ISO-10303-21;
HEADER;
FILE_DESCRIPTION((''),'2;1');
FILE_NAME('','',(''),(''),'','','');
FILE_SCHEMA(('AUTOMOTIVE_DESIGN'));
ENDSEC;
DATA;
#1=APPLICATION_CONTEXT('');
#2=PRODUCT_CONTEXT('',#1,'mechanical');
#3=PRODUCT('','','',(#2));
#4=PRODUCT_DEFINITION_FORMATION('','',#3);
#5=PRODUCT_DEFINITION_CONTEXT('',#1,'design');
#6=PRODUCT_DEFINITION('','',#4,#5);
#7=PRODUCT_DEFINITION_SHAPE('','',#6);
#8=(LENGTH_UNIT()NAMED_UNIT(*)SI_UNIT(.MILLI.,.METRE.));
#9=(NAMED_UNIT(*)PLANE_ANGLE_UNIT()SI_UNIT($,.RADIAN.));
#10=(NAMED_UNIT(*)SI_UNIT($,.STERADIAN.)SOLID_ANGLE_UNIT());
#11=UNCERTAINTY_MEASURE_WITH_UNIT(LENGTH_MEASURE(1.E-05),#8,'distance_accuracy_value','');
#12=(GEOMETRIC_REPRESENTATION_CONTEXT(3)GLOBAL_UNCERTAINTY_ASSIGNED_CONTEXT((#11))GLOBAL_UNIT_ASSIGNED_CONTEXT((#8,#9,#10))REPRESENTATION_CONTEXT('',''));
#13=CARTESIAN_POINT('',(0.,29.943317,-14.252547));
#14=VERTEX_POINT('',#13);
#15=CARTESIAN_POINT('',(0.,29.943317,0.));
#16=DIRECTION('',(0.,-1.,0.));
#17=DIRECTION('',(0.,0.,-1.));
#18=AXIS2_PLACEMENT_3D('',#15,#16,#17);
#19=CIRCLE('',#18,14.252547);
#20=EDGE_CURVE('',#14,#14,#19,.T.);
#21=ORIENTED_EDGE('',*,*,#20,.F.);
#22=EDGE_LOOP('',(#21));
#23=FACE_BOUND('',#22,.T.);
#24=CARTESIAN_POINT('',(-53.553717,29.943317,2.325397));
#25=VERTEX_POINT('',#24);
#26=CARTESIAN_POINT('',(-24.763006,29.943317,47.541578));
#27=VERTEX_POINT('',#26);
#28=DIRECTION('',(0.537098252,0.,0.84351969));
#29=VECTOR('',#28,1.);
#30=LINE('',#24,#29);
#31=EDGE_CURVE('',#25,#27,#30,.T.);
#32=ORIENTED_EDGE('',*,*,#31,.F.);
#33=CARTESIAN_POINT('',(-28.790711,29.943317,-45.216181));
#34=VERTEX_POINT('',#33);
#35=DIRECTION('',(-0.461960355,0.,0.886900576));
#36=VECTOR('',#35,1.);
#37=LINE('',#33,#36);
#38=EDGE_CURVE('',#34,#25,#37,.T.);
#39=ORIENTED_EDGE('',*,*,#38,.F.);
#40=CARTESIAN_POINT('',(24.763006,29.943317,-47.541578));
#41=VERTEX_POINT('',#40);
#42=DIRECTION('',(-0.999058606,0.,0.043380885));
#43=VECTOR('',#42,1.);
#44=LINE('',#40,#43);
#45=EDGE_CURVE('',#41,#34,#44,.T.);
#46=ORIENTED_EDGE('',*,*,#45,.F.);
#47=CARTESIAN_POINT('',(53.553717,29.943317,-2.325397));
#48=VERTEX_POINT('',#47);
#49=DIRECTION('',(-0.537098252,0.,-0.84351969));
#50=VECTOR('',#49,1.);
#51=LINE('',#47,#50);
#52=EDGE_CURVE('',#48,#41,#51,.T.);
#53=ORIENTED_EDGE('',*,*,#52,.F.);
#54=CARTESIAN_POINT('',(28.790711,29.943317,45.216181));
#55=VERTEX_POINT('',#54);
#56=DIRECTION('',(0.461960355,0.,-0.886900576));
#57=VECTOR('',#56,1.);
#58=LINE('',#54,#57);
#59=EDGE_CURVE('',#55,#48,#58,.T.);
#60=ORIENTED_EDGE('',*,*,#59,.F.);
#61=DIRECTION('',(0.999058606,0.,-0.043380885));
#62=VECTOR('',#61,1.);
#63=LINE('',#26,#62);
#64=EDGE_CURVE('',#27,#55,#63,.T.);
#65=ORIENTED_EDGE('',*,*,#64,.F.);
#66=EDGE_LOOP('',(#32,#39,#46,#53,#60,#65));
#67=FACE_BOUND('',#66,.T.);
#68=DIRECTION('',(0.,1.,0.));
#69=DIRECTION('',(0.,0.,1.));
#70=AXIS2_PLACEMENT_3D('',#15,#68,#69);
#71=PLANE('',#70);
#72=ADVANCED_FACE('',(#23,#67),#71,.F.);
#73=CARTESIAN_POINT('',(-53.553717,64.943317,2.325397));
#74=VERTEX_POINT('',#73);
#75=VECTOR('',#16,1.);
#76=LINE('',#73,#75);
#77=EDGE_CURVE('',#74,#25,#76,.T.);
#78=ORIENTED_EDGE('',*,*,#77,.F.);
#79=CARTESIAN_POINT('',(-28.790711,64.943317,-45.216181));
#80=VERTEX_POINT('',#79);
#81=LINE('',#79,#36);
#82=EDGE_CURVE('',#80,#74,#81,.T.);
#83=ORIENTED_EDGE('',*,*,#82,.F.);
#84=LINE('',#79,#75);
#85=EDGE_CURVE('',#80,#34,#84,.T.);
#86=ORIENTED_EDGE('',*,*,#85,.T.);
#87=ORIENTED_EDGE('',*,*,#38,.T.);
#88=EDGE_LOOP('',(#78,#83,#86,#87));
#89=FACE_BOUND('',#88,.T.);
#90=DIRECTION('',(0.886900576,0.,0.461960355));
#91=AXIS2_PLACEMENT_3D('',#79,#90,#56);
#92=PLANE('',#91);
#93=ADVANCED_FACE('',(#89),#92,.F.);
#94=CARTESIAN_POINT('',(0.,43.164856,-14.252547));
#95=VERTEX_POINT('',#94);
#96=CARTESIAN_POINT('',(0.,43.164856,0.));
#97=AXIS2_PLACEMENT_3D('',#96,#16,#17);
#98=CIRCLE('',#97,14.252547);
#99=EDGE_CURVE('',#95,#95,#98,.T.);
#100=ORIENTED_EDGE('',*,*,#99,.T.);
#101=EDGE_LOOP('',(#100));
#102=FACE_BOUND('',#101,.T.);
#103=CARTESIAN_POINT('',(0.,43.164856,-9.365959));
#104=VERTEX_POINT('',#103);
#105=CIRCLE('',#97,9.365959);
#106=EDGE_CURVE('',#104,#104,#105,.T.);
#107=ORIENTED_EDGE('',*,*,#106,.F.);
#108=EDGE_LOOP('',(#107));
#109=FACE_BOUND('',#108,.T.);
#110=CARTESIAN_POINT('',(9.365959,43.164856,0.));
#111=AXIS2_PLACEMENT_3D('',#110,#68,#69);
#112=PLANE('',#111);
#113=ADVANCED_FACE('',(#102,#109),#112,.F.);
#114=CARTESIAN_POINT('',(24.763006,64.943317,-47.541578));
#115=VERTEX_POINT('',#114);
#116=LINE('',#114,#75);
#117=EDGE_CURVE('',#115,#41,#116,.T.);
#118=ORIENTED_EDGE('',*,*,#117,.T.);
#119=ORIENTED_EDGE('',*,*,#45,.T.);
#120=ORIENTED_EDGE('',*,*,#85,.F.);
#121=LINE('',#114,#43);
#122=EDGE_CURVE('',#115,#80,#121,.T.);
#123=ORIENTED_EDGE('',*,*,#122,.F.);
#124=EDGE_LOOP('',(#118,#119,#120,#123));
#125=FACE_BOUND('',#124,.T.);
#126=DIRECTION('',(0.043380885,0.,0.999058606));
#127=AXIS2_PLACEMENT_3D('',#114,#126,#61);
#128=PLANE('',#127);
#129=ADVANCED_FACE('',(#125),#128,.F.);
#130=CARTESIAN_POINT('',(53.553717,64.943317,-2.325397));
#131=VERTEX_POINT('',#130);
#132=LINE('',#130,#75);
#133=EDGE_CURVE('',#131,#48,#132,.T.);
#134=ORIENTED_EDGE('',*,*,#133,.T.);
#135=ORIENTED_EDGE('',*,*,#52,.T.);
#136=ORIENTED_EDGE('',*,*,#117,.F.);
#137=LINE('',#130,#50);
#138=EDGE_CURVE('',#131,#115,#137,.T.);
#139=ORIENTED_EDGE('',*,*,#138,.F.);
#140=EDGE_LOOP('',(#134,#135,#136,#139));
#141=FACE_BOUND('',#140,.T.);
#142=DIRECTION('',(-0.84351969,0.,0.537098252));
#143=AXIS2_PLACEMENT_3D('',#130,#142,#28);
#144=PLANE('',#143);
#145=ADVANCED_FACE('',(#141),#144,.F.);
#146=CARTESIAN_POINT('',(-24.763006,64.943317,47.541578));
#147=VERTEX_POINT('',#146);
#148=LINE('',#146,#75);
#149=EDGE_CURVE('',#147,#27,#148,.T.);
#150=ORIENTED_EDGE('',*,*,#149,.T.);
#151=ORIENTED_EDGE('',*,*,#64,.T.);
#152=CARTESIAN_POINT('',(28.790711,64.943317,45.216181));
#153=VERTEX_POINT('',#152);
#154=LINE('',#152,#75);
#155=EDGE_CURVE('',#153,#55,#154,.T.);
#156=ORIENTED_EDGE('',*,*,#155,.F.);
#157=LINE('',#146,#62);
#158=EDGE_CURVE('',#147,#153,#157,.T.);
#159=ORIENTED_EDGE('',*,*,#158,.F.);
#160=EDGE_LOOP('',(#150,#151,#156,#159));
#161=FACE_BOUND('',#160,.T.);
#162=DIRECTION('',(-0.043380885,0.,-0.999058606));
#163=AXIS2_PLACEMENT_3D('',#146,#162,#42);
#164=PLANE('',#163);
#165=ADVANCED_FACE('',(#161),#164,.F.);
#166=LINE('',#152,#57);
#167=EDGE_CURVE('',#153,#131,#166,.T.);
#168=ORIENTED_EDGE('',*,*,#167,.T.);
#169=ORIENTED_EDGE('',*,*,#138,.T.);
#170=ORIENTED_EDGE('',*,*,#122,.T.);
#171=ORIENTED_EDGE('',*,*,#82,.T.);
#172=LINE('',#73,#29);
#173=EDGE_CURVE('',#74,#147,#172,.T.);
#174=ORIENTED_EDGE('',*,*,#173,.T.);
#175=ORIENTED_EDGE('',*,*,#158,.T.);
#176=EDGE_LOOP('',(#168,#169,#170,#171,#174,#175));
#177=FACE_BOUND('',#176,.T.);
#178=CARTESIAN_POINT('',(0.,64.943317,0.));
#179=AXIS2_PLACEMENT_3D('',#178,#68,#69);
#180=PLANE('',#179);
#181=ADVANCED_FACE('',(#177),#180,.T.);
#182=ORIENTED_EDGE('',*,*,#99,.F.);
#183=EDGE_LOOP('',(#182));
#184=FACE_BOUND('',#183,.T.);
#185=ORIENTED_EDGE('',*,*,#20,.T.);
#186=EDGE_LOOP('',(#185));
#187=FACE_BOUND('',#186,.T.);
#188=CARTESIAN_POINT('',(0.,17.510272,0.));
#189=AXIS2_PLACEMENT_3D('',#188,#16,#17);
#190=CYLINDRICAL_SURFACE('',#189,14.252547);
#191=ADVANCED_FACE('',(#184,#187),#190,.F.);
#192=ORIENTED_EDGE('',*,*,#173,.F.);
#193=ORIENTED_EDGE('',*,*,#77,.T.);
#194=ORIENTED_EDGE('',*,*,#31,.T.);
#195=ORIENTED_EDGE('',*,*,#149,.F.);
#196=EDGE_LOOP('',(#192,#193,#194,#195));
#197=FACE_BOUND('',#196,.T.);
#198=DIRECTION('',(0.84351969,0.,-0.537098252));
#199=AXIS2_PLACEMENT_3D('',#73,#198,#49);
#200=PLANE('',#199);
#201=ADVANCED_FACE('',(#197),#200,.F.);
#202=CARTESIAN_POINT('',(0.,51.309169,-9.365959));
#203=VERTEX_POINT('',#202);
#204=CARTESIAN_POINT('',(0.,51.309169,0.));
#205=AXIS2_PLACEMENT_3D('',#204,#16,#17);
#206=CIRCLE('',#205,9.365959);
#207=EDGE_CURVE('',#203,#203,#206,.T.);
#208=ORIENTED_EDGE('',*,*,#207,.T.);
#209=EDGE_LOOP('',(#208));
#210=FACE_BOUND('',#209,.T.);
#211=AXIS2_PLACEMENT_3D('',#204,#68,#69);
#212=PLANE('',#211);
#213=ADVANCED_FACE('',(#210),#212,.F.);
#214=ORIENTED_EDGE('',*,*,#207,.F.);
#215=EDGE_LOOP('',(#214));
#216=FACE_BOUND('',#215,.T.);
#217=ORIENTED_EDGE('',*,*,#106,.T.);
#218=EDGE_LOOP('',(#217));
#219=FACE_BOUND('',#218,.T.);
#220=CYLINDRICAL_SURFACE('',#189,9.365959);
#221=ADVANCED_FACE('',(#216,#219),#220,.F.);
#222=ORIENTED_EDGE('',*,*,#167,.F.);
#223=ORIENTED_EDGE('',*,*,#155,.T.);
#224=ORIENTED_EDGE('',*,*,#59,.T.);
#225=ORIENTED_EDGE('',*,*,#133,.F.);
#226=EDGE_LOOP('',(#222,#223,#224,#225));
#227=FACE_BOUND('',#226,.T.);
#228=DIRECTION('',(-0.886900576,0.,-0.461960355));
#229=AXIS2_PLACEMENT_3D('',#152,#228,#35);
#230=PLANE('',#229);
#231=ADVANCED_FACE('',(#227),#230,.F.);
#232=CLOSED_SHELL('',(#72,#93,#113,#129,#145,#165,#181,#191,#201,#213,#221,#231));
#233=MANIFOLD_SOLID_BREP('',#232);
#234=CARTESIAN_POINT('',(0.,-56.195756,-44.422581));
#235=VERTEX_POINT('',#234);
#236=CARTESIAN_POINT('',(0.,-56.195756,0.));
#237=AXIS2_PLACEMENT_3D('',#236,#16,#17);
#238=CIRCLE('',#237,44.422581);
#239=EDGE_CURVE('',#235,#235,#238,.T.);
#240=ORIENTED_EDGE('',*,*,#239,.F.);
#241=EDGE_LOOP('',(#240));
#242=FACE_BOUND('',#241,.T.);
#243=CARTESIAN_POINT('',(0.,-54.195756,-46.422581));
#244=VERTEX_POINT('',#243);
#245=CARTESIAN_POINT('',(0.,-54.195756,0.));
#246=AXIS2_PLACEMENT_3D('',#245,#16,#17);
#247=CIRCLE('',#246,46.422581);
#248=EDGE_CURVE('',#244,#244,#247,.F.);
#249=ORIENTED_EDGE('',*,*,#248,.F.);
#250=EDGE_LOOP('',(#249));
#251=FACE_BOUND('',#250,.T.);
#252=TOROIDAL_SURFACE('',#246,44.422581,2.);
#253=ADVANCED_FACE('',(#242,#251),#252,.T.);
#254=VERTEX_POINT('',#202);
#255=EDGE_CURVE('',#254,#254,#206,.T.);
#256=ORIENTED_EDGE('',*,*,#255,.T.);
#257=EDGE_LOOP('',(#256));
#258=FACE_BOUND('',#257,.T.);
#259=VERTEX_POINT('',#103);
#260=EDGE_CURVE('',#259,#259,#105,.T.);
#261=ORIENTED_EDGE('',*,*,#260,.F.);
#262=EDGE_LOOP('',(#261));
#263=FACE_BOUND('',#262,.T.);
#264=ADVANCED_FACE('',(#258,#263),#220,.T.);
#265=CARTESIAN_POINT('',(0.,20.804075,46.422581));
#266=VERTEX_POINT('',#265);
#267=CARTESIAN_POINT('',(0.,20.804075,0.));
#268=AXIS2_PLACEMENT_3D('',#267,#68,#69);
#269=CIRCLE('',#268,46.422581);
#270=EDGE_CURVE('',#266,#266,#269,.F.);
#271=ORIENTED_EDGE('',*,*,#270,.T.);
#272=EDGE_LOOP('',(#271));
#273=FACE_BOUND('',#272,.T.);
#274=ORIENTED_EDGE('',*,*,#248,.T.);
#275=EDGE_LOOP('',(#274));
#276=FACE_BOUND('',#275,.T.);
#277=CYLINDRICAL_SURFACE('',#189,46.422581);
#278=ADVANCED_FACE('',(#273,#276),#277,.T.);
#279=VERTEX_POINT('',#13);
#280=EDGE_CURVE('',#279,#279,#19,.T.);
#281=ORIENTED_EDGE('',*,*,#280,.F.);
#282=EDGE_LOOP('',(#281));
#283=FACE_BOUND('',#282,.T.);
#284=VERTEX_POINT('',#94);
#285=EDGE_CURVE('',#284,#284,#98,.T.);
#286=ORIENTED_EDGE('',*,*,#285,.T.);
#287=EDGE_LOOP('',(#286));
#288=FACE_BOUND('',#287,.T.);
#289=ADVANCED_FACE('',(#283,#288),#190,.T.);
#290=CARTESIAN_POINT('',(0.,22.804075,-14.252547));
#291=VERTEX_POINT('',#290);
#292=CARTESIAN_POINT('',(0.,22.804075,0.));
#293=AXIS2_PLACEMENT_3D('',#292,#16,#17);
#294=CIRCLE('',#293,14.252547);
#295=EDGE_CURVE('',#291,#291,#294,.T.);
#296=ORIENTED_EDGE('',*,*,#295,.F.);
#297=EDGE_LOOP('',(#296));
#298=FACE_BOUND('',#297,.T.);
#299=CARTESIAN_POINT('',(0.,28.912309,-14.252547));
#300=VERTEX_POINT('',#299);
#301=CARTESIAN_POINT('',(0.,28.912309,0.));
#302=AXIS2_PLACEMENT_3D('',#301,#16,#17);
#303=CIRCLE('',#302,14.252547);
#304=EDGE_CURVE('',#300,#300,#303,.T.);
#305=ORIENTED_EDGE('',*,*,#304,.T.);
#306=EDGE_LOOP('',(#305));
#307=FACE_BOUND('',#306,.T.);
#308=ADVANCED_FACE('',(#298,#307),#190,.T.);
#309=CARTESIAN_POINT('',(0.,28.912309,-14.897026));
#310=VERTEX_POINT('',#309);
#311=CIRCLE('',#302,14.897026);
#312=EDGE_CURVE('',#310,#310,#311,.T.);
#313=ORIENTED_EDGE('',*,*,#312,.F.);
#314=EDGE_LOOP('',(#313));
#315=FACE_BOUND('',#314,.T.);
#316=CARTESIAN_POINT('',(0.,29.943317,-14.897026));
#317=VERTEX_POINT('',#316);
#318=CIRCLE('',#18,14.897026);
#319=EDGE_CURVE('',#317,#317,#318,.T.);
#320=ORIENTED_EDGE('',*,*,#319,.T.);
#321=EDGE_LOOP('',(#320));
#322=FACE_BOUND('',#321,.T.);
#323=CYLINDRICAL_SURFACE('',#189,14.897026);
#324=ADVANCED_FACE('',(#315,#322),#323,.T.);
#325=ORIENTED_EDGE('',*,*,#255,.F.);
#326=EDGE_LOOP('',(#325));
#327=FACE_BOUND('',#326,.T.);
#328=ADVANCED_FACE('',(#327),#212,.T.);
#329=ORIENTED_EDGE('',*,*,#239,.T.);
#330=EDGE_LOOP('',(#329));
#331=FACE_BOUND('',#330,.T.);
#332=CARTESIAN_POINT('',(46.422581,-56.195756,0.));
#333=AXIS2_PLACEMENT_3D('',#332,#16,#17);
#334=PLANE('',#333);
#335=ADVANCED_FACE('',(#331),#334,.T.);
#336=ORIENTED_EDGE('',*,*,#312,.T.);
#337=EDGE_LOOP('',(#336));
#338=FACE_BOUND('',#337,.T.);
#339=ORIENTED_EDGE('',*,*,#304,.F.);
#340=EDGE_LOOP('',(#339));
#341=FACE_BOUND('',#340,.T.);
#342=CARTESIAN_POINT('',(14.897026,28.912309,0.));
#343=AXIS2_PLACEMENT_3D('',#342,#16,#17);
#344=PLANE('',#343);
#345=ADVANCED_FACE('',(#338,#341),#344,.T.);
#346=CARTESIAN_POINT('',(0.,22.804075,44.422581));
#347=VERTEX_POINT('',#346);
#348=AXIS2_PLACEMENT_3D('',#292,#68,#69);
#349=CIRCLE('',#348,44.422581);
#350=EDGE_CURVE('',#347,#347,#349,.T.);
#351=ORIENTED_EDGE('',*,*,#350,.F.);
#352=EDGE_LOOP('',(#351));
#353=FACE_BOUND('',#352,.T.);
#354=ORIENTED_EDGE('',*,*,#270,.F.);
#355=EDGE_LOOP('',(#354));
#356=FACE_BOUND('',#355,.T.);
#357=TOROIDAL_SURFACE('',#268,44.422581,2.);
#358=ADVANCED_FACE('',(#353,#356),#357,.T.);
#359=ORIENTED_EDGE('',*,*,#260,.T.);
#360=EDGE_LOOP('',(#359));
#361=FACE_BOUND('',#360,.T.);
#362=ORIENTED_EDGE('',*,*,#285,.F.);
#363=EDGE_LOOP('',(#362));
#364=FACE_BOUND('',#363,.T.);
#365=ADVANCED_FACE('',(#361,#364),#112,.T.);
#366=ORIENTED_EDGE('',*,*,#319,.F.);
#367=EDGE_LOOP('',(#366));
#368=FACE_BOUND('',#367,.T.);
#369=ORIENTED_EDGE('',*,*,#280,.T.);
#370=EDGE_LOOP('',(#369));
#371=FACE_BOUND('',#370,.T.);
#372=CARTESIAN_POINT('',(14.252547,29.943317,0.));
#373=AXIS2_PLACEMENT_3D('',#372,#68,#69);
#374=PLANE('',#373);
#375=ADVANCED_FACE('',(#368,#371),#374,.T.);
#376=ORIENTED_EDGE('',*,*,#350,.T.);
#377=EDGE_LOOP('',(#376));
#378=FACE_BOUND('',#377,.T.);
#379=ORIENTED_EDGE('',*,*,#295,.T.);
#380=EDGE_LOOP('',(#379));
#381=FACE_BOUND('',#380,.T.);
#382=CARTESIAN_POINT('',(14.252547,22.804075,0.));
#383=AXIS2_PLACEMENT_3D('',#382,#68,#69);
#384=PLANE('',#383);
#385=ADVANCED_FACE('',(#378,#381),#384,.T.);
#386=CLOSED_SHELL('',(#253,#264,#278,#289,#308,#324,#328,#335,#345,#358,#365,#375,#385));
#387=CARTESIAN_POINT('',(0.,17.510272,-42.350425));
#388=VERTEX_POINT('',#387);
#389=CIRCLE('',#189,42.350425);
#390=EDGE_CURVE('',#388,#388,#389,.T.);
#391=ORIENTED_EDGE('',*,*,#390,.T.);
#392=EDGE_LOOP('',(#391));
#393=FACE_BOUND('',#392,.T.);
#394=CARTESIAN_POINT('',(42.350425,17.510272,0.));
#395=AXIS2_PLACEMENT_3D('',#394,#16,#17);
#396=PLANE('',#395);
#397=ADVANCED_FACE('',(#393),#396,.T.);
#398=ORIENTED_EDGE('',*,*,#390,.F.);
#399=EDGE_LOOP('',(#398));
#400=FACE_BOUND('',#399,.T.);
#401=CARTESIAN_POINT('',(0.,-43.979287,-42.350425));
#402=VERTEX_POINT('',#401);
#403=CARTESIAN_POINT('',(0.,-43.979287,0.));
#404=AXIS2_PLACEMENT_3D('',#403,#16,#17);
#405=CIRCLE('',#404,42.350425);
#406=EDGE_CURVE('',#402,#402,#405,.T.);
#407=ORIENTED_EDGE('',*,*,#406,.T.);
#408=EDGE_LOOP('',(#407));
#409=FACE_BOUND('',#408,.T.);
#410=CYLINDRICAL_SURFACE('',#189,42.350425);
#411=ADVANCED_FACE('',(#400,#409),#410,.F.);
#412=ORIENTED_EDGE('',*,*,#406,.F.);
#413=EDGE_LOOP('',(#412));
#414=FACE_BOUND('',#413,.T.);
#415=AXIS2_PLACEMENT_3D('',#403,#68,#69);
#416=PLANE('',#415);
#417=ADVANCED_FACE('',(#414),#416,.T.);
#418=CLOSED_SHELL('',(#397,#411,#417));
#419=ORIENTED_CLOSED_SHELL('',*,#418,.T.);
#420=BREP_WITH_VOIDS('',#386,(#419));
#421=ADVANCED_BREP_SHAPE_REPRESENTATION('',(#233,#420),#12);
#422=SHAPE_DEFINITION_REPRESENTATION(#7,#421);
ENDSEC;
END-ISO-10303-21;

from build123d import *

# Parameters (mm, degrees)
FILLET1_R           = 2
BOSS_EXTRUDE1_DEPTH = 35


with BuildPart() as part:
    # Sketch1 → Revolve1 (revolve)
    with BuildSketch(Plane.XY):
        Polygon((0, 51.309168584), (9.365959345, 51.309168584), (9.365959345, 43.16485611), (14.252546829, 43.16485611), (14.252546829, 29.943316963), (14.897026355, 29.943316963), (14.897026355, 28.912309281), (14.252546829, 28.912309281), (14.252546829, 22.804074926), (46.422581099, 22.804074926), (46.422581099, -56.195756068), (0, -56.195756068), (0, -43.979287357), (42.350424863, -43.979287357), (42.350424863, 17.510271818), (0, 17.510271818), align=None)
    revolve(axis=Axis((0, 17.510271818, 0), (0, 1, 0)))

    # Fillet1
    fillet1_edges = [part.edges().sort_by_distance(p)[0] for p in [
        (-46.422581099, -56.195756068, 0),
        (-46.422581099, 22.804074926, 0),
    ]]
    fillet(fillet1_edges, radius=FILLET1_R)


with BuildPart() as body_2:
    # Sketch2 → Boss-Extrude1 (new body)
    with BuildSketch(Plane(origin=(0, 29.943316963, 0), x_dir=(1, 0, 0), z_dir=(0, 1, 0))):
        Polygon((28.790711038, -45.216180797), (53.553716751, 2.325396753), (24.763005713, 47.54157755), (-28.790711038, 45.216180797), (-53.553716751, -2.325396753), (-24.763005713, -47.54157755), align=None)
    extrude(amount=BOSS_EXTRUDE1_DEPTH)

    # Sketch1<2> → Cut-Revolve1 (revolve, cut)
    with BuildSketch(Plane.XY):
        Polygon((0, 51.309168584), (9.365959345, 51.309168584), (9.365959345, 43.16485611), (14.252546829, 43.16485611), (14.252546829, 29.943316963), (14.897026355, 29.943316963), (14.897026355, 28.912309281), (14.252546829, 28.912309281), (14.252546829, 22.804074926), (46.422581099, 22.804074926), (46.422581099, -56.195756068), (0, -56.195756068), (0, -43.979287357), (42.350424863, -43.979287357), (42.350424863, 17.510271818), (0, 17.510271818), align=None)
    revolve(axis=Axis((0, 17.510271818, 0), (0, 1, 0)), mode=Mode.SUBTRACT)


solid = Compound([part.part, body_2.part])
